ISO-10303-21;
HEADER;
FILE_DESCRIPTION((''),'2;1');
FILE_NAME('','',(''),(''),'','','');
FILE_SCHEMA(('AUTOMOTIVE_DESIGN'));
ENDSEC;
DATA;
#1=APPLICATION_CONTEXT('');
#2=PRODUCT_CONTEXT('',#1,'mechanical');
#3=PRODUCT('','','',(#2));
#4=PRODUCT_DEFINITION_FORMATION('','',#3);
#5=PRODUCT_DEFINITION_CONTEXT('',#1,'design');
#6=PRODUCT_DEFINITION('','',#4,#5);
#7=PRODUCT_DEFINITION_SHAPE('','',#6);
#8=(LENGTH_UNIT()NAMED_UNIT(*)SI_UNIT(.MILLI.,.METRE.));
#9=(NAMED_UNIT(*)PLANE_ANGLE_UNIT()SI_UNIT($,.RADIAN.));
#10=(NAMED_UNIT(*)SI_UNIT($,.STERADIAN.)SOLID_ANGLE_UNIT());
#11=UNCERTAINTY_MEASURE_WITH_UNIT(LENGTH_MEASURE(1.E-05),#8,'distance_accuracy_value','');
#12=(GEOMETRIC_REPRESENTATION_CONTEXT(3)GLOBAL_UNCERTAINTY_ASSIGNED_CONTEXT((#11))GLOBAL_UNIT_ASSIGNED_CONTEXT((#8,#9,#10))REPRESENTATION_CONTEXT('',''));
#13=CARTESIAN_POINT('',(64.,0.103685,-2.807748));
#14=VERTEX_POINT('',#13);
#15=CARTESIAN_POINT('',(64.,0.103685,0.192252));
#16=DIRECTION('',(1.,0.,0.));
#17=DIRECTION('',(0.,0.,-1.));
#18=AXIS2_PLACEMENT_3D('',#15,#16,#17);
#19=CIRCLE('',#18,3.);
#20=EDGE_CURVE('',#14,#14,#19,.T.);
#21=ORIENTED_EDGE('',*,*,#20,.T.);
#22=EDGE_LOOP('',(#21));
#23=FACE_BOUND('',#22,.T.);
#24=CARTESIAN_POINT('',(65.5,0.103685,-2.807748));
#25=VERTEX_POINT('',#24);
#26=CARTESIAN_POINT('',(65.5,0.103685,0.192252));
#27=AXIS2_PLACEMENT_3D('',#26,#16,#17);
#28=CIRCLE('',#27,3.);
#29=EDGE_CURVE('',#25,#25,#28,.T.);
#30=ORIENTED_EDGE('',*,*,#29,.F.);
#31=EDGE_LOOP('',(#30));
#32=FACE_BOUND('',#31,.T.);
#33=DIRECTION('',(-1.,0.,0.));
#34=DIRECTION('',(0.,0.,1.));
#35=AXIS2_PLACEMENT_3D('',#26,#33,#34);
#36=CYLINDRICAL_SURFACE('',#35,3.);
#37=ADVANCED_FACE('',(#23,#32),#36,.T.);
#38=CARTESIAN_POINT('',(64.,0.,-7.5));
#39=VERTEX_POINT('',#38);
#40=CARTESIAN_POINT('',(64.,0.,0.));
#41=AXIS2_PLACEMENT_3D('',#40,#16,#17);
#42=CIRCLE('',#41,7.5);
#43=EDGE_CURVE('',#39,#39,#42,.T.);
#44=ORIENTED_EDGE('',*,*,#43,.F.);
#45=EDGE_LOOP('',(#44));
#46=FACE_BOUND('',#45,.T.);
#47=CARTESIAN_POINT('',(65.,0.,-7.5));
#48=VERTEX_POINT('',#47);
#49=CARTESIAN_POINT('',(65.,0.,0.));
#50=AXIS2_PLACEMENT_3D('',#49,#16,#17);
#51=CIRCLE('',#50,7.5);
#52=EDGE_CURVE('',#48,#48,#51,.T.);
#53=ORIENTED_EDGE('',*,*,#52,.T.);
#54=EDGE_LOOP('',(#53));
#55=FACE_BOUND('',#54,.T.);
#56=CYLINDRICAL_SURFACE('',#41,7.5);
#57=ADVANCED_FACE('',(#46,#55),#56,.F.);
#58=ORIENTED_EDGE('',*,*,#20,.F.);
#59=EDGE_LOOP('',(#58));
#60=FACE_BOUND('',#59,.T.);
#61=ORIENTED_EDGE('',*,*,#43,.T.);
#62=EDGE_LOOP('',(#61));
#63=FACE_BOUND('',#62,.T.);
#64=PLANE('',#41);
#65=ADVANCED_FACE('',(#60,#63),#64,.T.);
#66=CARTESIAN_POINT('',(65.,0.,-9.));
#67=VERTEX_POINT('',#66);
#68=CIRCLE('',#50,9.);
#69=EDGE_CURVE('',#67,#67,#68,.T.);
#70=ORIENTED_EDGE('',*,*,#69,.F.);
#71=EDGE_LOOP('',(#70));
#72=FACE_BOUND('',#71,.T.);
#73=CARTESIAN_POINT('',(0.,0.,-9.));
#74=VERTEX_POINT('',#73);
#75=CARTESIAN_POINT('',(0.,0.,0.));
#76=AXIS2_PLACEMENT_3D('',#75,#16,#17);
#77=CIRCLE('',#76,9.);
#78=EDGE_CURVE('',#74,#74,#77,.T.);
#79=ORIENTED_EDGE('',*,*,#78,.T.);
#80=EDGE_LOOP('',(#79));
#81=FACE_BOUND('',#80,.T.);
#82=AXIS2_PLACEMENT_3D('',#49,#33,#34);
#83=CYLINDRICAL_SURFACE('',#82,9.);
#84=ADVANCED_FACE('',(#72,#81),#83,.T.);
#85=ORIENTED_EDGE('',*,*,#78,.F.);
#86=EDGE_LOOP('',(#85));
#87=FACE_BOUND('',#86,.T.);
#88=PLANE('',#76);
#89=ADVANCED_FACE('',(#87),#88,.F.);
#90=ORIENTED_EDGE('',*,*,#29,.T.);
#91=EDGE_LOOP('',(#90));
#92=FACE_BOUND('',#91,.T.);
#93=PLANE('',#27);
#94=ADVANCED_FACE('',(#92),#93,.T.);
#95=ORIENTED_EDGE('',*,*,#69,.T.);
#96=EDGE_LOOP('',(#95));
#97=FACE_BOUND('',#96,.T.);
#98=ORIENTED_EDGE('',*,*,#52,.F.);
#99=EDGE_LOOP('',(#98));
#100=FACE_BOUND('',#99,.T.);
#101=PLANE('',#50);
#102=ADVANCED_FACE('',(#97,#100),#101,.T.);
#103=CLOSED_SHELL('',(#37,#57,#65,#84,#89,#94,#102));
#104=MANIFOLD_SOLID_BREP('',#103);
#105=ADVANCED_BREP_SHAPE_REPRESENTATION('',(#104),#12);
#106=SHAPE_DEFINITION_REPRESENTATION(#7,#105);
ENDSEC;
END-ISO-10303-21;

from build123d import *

# Parameters (mm, degrees)
SKETCH_1_R          = 9
EXTRUDE_1_DEPTH     = 65
SKETCH_2_R          = 7.5
CUT_EXTRUDE_1_DEPTH = 1
SKETCH_3_R          = 3
EXTRUDE_2_DEPTH     = 1.5


with BuildPart() as part:
    # Эскиз1 → Бобышка-Вытянуть1 (new body)
    with BuildSketch(Plane(origin=(0, 0, 0), x_dir=(0, 0, -1), z_dir=(1, 0, 0))):
        Circle(SKETCH_1_R)
    extrude(amount=EXTRUDE_1_DEPTH)

    # Эскиз2 → Вырез-Вытянуть1 (cut)
    with BuildSketch(Plane(origin=(65, 0, 0), x_dir=(0, 0, -1), z_dir=(1, 0, 0))):
        Circle(SKETCH_2_R)
    extrude(amount=-CUT_EXTRUDE_1_DEPTH, mode=Mode.SUBTRACT)

    # Эскиз3 → Бобышка-Вытянуть2 (add)
    with BuildSketch(Plane(origin=(64, 0, 0), x_dir=(0, 0, -1), z_dir=(1, 0, 0))):
        with Locations((-0.192251795, 0.103684868)):
            Circle(SKETCH_3_R)
    extrude(amount=EXTRUDE_2_DEPTH)


solid = part.part
